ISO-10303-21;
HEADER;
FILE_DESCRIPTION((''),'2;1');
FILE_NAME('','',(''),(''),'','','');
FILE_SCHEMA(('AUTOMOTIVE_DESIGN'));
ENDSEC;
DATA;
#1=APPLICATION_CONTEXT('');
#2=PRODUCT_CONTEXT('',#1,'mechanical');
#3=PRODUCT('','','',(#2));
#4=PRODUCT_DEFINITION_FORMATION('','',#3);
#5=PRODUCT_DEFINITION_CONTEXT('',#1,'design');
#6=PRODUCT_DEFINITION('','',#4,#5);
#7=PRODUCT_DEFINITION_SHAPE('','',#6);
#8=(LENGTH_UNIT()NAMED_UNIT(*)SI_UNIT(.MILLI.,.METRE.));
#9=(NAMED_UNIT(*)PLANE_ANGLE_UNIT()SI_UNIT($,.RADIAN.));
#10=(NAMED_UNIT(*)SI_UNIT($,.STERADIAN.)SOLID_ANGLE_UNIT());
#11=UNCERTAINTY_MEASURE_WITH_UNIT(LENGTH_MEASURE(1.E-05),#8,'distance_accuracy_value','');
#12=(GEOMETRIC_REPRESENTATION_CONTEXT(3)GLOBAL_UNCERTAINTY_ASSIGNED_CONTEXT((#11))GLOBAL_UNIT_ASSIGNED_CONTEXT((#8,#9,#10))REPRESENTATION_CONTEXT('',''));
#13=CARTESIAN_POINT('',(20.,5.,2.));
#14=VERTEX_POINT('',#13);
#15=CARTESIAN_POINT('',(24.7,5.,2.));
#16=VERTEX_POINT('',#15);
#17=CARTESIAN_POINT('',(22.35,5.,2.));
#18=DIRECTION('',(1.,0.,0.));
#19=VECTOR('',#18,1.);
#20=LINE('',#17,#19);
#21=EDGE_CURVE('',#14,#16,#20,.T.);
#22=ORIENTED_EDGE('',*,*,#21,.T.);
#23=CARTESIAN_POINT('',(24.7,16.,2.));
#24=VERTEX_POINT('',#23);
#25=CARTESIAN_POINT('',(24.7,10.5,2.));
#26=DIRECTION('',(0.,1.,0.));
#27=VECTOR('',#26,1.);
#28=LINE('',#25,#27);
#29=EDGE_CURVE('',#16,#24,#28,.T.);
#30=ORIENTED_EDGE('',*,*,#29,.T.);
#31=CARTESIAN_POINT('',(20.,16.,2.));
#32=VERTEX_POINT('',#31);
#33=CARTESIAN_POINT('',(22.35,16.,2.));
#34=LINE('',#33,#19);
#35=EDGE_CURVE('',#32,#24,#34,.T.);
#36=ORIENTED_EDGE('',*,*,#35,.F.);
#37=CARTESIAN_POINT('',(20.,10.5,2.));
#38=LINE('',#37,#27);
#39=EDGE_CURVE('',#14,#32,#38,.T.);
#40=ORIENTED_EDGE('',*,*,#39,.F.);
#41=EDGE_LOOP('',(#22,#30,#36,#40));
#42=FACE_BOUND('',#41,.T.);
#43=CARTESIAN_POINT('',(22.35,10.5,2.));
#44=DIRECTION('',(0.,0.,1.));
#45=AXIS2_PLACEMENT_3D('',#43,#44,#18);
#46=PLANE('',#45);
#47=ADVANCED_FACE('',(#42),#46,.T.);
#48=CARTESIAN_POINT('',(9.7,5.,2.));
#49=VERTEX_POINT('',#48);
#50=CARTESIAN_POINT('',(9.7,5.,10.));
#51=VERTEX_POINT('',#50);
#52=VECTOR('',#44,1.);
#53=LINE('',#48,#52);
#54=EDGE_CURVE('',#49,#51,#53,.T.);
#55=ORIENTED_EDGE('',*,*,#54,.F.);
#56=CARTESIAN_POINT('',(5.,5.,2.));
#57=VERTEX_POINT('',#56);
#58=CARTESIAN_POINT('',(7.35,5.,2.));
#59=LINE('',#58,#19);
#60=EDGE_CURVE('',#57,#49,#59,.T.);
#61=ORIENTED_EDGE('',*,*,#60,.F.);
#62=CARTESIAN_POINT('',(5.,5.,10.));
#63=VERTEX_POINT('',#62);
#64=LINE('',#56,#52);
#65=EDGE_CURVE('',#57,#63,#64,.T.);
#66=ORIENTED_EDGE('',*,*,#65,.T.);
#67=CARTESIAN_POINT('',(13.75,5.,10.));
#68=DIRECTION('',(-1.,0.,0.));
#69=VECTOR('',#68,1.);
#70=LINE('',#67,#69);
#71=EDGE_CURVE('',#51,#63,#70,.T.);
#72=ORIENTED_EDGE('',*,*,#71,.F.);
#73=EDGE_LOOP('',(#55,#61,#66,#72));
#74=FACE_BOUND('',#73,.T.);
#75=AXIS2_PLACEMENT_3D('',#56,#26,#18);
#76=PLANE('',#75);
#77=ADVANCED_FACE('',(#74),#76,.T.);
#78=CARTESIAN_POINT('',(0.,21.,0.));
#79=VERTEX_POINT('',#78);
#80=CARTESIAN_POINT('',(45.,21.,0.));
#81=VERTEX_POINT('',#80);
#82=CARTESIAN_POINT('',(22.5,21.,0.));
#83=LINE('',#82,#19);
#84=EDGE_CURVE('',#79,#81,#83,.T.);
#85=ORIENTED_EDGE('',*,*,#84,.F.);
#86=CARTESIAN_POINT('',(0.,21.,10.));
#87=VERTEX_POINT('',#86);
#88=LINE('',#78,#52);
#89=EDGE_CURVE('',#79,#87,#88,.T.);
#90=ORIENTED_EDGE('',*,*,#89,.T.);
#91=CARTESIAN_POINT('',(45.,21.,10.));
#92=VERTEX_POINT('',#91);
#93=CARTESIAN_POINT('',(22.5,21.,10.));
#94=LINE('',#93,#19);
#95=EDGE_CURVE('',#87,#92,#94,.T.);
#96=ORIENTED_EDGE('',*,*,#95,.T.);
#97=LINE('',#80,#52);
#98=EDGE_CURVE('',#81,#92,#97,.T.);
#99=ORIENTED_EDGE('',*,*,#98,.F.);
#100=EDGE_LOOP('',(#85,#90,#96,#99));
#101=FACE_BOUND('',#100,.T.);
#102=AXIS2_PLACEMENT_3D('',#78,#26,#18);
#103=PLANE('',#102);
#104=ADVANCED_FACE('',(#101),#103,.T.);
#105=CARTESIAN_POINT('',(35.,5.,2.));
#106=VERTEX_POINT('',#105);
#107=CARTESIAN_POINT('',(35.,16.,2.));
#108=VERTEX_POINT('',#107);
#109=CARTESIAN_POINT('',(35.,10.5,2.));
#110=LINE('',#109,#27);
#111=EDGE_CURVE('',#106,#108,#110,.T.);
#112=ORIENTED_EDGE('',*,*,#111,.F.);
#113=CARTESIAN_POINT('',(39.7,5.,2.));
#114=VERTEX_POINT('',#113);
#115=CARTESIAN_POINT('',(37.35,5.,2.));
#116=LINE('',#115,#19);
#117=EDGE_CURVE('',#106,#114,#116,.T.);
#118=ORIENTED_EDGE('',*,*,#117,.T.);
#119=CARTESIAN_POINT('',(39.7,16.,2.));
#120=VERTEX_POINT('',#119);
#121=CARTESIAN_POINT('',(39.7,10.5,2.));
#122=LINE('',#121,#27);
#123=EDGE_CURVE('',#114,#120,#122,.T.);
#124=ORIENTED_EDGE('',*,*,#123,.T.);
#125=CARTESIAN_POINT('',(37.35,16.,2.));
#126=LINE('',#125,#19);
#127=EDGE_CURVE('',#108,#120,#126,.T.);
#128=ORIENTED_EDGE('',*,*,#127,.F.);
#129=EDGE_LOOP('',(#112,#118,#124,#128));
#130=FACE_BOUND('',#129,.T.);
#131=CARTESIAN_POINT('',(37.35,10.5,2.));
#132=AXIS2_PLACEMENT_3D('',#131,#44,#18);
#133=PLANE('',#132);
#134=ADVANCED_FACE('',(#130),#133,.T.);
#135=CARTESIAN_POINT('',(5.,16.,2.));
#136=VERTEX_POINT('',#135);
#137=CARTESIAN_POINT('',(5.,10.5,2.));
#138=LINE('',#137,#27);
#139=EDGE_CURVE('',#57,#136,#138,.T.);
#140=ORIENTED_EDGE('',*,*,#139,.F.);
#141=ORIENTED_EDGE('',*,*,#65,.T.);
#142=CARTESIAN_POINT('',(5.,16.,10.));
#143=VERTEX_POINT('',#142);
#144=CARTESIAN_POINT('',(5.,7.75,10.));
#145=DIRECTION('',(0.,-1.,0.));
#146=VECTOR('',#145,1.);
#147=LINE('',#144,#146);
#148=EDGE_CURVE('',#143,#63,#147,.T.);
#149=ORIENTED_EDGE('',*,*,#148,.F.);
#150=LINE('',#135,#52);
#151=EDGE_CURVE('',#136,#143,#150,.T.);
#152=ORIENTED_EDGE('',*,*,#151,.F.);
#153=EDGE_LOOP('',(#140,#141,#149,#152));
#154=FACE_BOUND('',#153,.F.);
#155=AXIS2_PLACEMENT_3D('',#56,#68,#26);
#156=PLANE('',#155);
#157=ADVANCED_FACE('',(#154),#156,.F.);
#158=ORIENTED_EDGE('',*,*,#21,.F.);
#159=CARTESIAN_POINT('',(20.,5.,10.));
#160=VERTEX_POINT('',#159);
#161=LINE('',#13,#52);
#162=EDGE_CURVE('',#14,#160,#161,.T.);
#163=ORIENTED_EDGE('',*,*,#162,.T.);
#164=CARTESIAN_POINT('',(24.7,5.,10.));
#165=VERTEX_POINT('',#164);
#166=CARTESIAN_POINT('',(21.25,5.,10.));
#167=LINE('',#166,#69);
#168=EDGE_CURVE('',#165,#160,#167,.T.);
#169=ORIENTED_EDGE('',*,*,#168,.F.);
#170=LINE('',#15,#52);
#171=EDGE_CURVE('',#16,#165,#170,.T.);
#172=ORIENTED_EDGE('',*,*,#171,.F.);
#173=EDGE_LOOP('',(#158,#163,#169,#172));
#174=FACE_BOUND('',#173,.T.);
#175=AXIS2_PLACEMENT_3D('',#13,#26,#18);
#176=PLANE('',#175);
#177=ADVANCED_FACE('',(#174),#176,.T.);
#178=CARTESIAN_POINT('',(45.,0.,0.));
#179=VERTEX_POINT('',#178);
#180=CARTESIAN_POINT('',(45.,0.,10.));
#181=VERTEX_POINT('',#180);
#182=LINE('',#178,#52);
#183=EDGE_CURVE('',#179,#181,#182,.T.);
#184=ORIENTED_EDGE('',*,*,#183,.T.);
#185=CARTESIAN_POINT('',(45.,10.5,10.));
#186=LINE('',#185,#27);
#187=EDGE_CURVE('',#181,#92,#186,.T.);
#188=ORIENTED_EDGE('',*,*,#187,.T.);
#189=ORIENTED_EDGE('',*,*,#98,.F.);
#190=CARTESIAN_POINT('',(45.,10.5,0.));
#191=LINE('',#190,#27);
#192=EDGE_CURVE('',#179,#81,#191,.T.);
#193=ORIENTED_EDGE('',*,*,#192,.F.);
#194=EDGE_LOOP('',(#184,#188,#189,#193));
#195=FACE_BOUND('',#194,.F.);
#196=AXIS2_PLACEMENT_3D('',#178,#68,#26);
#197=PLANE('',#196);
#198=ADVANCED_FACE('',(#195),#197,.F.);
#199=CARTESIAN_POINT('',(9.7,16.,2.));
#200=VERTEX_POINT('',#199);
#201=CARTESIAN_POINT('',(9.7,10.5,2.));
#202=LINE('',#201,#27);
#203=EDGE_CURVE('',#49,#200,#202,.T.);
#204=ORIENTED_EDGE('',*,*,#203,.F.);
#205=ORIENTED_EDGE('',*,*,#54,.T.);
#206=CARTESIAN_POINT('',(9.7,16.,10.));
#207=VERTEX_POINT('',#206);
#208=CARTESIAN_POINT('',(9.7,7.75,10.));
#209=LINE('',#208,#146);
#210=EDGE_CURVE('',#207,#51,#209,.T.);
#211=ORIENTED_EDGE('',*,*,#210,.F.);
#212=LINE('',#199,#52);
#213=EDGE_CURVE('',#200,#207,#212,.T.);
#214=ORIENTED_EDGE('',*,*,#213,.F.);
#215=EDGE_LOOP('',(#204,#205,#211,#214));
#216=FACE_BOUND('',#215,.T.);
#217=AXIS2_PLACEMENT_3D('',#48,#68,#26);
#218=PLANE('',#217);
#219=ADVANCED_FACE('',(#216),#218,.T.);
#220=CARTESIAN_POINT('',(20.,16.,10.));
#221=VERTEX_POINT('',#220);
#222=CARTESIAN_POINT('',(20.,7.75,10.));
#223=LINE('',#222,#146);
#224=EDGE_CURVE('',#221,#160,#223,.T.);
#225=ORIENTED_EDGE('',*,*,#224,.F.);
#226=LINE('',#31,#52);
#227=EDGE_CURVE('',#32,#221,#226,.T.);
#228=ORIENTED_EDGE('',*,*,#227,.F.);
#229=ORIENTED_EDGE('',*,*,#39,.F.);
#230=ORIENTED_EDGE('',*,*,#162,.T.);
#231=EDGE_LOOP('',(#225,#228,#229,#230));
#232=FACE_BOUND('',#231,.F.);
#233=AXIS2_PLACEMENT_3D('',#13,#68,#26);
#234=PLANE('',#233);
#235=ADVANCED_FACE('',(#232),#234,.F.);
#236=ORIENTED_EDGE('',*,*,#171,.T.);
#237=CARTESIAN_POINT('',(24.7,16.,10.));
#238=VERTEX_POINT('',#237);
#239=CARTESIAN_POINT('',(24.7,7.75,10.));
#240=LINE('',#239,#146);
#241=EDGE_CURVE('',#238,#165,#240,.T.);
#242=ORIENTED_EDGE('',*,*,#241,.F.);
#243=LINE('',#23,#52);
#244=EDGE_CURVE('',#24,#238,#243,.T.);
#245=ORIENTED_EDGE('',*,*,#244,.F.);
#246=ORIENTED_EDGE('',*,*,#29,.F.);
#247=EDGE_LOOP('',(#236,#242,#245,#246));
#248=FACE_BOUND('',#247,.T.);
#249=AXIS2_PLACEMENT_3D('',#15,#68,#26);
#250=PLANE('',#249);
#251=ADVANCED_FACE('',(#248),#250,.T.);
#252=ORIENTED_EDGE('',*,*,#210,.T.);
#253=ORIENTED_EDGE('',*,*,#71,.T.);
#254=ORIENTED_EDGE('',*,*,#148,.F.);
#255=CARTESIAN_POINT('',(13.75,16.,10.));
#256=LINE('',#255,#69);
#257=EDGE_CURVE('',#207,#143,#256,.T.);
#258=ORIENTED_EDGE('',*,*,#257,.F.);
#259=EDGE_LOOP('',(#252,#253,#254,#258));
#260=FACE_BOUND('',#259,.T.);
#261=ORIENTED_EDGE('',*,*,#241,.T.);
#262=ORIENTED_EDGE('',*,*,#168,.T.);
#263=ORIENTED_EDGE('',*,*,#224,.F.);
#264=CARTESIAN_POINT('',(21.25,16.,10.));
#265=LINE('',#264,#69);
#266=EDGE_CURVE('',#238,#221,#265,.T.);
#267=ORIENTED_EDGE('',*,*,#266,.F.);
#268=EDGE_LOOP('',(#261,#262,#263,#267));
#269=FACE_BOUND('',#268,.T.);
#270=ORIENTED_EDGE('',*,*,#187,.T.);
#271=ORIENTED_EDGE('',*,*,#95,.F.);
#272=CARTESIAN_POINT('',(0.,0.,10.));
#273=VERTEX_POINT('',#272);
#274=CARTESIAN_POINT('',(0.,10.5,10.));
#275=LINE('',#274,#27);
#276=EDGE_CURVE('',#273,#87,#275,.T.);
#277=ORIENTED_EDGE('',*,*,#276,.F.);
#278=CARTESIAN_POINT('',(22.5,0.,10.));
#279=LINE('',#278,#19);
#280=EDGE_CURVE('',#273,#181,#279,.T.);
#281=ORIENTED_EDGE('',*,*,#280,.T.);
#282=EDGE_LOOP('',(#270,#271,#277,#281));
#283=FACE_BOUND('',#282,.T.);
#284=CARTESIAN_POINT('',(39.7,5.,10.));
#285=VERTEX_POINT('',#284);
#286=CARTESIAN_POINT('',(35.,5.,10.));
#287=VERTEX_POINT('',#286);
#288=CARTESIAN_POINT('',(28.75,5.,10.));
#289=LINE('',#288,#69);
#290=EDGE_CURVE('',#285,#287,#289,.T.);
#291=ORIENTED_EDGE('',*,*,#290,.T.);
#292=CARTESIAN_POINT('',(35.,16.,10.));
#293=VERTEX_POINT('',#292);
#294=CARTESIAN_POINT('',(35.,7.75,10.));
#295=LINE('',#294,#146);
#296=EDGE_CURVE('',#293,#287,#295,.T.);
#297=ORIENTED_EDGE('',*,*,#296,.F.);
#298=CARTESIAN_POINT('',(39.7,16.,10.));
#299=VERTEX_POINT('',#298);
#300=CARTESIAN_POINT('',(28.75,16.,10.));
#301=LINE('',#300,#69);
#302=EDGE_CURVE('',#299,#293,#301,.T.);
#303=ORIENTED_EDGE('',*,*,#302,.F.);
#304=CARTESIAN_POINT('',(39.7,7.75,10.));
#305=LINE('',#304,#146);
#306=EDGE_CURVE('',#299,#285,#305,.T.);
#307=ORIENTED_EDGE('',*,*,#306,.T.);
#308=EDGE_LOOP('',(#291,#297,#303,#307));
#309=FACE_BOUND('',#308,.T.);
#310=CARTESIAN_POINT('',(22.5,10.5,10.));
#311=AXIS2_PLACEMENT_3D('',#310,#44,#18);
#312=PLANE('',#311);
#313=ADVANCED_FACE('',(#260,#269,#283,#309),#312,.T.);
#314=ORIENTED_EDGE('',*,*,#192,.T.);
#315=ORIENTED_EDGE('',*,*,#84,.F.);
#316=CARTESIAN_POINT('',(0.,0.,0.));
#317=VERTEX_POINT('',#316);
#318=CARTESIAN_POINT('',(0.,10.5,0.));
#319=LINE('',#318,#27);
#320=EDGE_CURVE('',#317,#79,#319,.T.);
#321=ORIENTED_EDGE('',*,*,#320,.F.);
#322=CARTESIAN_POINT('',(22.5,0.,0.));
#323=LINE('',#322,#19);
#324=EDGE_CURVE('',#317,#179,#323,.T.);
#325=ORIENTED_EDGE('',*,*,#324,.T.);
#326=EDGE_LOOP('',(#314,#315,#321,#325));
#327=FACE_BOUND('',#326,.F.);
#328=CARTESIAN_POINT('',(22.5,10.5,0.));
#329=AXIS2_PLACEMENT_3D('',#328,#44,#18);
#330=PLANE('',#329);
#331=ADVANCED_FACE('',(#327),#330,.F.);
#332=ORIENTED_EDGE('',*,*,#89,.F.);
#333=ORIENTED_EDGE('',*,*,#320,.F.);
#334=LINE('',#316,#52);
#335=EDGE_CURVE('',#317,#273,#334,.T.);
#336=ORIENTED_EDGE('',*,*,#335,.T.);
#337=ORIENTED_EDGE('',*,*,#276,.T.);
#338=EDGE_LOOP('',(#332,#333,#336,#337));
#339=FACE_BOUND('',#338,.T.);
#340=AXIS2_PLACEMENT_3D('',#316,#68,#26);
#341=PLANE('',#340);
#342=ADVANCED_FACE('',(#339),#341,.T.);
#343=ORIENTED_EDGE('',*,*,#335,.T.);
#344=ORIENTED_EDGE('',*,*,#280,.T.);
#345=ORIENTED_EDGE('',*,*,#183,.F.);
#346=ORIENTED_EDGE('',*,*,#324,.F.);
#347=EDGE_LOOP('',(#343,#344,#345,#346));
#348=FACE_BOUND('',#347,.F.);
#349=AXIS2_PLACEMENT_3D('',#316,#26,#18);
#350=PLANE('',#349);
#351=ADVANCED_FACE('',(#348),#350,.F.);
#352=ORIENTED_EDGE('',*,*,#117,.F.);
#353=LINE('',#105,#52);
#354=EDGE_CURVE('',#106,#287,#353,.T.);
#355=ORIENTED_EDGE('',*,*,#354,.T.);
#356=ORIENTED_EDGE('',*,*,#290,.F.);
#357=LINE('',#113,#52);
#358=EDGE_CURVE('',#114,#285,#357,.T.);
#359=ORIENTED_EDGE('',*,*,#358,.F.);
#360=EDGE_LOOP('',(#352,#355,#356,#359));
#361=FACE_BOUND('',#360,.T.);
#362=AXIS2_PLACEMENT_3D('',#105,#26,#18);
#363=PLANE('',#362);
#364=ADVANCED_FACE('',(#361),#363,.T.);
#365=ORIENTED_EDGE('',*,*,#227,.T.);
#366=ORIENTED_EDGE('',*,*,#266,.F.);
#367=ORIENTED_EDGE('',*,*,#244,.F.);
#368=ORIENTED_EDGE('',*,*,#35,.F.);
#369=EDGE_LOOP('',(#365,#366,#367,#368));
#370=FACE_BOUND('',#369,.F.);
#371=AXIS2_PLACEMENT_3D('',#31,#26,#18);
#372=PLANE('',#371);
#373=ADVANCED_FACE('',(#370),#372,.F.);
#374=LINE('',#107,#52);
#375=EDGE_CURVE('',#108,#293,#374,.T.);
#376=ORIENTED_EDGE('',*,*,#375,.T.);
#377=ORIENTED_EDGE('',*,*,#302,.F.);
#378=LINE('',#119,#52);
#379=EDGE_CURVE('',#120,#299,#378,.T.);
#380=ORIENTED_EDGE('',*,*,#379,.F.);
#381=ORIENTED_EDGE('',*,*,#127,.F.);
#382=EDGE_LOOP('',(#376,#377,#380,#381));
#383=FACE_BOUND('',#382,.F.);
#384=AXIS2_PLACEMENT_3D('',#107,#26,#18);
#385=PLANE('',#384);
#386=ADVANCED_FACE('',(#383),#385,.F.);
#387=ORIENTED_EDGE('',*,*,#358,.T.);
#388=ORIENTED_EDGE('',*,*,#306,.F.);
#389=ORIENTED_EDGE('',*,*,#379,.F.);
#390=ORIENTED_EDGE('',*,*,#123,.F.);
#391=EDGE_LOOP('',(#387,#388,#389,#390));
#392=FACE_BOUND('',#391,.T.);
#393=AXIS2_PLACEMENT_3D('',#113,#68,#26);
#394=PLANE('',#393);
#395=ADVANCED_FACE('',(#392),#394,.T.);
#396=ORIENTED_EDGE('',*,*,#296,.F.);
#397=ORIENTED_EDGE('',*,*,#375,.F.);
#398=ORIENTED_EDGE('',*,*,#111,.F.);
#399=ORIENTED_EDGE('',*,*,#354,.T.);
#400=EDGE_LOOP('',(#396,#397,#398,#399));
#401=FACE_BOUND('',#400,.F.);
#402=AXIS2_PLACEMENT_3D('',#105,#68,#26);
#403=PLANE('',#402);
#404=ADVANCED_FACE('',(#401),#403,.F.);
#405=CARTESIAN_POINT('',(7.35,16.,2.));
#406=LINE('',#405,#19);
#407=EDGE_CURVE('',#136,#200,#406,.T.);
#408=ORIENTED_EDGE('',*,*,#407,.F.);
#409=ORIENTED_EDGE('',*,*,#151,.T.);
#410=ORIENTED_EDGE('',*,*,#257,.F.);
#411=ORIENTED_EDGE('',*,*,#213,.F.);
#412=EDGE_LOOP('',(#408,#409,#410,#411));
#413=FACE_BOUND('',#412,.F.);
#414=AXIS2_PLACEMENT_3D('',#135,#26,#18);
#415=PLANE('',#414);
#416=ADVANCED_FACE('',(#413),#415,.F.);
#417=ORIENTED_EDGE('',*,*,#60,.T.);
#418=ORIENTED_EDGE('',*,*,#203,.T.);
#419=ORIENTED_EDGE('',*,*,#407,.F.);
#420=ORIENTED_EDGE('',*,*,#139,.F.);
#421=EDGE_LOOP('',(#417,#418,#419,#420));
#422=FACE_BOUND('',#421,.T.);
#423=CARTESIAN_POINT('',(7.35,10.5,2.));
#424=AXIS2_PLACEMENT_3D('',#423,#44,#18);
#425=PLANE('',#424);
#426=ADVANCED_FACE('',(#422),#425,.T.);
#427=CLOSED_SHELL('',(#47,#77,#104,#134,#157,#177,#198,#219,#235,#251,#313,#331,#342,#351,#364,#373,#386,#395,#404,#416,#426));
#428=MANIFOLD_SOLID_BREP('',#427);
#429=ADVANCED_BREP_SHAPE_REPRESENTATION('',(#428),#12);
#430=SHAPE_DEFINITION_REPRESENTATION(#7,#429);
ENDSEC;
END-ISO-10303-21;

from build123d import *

# Parameters (mm, degrees)
BOX001_W     = 4.7
BOX001_H     = 11
BOX001_DEPTH = 12
BOX002_W     = 4.7
BOX002_H     = 11
BOX002_DEPTH = 12
BOX_W        = 4.7
BOX_H        = 11
BOX_DEPTH    = 12
BOX003_W     = 45
BOX003_H     = 21
BOX003_DEPTH = 10


with BuildPart() as ranura2:
    # Box001 → Box001 (new body)
    with BuildSketch(Plane(origin=(15, 0, 0), x_dir=(1, 0, 0), z_dir=(0, 0, 1))):
        with Locations((2.35, 5.5)):
            Rectangle(BOX001_W, BOX001_H)
    extrude(amount=BOX001_DEPTH)


with BuildPart() as ranura3:
    # Box002 → Box002 (new body)
    with BuildSketch(Plane(origin=(30, 0, 0), x_dir=(1, 0, 0), z_dir=(0, 0, 1))):
        with Locations((2.35, 5.5)):
            Rectangle(BOX002_W, BOX002_H)
    extrude(amount=BOX002_DEPTH)


with BuildPart() as ranuras:
    # Box → Box (new body)
    with BuildSketch(Plane.XY):
        with Locations((2.35, 5.5)):
            Rectangle(BOX_W, BOX_H)
    extrude(amount=BOX_DEPTH)

    # Fusion: union ranura2, ranura3
    add(ranura2.part)
    add(ranura3.part)


with BuildPart() as ranuras_1:
    # Fusion placement: moved
    add(ranuras.part.moved(Location((5, 5, 2))))


with BuildPart() as cut:
    # Box003 → Box003 (new body)
    with BuildSketch(Plane.XY):
        with Locations((22.5, 10.5)):
            Rectangle(BOX003_W, BOX003_H)
    extrude(amount=BOX003_DEPTH)

    # Cut: cut ranuras
    add(ranuras_1.part, mode=Mode.SUBTRACT)


solid = cut.part
